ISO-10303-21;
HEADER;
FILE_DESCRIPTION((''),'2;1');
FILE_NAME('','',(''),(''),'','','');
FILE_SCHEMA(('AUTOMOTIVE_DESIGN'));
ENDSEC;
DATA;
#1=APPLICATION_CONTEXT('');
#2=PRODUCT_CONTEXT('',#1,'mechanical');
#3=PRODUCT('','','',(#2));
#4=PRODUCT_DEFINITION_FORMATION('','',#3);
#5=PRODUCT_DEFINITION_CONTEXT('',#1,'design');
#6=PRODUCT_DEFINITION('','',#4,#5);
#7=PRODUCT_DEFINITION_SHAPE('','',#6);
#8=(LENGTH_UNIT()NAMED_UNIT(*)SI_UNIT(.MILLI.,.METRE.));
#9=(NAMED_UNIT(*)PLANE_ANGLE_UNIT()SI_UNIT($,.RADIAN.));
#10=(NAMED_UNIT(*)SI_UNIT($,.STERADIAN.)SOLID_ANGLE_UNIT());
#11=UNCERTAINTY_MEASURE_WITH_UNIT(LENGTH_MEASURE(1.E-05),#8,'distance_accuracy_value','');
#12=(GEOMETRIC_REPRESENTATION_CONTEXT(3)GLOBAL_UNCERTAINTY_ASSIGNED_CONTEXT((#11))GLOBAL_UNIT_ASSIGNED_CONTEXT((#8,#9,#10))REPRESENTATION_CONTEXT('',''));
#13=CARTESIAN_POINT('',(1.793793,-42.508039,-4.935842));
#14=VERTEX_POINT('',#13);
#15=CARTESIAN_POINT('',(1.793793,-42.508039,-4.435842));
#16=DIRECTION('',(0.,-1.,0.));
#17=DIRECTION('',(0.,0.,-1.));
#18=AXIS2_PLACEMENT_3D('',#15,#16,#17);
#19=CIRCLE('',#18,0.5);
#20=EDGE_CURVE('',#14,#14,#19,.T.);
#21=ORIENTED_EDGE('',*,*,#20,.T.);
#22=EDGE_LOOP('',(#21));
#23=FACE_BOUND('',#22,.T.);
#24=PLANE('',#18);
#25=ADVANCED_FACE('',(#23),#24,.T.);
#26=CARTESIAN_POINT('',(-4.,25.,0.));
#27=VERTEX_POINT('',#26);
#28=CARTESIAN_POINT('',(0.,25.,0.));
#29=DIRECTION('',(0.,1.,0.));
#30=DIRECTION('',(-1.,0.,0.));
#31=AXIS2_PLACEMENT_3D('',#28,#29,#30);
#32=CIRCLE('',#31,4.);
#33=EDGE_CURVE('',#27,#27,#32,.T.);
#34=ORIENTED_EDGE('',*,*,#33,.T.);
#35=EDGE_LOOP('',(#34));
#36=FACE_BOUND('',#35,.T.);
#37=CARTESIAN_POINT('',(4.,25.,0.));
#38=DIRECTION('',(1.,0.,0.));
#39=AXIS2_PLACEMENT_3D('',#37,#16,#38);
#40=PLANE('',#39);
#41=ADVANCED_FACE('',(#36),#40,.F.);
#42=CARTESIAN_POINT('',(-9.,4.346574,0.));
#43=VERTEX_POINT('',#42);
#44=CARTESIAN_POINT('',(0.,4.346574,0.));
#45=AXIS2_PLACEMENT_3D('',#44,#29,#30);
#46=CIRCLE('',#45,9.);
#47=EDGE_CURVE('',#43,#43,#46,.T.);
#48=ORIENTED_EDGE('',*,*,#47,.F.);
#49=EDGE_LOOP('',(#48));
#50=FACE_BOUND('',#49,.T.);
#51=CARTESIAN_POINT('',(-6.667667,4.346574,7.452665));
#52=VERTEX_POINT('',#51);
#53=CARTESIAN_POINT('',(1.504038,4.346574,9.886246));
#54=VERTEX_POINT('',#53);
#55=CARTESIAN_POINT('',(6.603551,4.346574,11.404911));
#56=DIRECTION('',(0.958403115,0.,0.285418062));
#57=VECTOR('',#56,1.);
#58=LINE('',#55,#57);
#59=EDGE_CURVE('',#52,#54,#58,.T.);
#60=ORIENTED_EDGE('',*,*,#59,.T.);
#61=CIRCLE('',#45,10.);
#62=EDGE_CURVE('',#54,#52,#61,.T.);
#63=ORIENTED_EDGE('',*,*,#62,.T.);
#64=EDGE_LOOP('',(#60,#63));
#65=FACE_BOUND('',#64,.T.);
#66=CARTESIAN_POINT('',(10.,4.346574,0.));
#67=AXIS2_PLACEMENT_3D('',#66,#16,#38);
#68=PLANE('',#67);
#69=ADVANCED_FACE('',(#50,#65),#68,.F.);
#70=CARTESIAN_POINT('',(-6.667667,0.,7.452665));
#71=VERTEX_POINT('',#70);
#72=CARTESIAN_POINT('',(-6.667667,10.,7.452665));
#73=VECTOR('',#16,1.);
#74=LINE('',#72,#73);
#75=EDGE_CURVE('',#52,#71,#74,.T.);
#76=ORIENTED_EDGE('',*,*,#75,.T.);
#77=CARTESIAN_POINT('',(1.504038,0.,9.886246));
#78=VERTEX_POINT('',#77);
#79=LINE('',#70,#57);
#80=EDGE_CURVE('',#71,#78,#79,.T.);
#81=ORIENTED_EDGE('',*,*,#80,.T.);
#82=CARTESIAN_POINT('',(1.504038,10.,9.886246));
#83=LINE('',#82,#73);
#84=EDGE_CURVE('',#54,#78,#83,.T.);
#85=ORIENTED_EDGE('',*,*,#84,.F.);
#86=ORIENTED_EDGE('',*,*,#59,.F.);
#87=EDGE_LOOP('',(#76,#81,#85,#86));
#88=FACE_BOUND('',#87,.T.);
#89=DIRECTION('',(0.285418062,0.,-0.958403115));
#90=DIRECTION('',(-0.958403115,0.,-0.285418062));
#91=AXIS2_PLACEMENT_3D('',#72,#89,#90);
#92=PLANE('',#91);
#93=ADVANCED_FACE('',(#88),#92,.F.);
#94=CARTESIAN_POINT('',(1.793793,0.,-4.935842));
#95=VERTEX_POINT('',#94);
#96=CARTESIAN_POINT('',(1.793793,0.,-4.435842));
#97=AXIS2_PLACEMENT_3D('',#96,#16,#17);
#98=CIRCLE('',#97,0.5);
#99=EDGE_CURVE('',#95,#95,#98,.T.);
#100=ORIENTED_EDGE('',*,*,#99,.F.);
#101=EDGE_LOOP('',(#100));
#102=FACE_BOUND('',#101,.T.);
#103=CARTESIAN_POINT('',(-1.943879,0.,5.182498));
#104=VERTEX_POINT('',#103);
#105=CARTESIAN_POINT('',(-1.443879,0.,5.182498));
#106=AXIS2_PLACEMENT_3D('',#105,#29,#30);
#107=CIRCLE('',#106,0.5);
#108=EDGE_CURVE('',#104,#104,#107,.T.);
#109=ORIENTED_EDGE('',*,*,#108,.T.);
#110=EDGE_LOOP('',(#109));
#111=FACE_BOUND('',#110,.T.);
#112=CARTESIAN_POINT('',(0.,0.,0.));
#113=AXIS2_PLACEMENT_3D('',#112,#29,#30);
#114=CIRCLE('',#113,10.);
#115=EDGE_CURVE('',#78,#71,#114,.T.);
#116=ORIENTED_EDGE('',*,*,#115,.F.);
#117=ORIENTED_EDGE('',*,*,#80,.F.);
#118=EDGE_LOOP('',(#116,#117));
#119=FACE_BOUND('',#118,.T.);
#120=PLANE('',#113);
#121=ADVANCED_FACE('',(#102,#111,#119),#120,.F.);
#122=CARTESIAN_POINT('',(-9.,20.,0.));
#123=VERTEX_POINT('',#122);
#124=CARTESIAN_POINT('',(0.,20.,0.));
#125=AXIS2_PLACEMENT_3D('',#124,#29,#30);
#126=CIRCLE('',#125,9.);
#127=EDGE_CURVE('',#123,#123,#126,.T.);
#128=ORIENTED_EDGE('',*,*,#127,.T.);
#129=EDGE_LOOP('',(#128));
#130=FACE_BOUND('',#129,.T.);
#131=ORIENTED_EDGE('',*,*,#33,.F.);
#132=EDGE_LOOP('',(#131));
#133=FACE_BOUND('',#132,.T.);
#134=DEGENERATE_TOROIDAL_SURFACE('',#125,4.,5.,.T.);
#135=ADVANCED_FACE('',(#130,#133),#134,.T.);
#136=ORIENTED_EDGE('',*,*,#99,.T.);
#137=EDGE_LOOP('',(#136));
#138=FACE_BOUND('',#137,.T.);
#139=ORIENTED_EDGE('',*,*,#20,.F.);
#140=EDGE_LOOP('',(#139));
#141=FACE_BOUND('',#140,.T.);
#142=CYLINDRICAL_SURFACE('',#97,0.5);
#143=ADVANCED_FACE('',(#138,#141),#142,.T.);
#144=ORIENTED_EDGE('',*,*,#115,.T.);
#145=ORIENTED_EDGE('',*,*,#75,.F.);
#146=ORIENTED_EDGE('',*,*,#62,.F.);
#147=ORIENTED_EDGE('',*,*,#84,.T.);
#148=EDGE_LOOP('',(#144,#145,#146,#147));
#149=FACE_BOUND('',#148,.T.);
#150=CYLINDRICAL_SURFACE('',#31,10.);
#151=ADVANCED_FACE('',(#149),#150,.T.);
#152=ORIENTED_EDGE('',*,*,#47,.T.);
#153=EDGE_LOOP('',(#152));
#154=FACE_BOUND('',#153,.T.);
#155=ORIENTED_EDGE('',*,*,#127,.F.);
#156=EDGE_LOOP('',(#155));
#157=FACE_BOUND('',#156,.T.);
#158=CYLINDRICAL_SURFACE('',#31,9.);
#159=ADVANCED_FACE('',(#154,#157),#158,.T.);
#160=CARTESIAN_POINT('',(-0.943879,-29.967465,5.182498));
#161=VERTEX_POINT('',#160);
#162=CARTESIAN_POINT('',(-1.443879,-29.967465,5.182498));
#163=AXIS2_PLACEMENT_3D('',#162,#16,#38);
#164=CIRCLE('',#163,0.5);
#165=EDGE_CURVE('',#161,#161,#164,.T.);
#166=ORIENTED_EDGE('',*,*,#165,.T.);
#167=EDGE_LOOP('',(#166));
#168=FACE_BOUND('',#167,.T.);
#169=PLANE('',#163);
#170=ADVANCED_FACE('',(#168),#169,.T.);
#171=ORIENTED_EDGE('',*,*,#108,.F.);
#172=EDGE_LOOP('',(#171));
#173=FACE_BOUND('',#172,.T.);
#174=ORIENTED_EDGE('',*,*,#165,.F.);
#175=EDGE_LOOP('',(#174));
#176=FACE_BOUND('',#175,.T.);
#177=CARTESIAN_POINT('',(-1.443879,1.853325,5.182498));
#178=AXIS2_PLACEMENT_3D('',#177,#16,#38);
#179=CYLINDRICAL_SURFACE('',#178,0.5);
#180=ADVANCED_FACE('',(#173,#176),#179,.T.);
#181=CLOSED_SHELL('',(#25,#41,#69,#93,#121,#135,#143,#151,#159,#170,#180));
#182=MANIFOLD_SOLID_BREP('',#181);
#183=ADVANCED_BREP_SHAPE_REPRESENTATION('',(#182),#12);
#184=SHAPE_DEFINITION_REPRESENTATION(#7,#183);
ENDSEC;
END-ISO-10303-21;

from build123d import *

# Parameters (mm, degrees)
KES_EKSTR_ZYON2_DEPTH = 10
IZIM4_R               = 0.5
IZIM6_R               = 0.5


with BuildPart() as part:
    # Çizim1 → Döndür2 (revolve)
    with BuildSketch(Plane.XY, mode=Mode.PRIVATE) as d_nd_r2_sk:
        with BuildLine():
            Line((0, 0), (10, 0))
            Line((10, 0), (10, 4.346574423))
            Line((10, 4.346574423), (9, 4.346574423))
            Line((9, 4.346574423), (9, 20))
            ThreePointArc((9, 20), (7.535533906, 23.535533906), (4, 25))
            Line((4, 25), (0, 25))
            Line((0, 25), (0, 0))
        make_face()
    revolve(d_nd_r2_sk.sketch.rotate(Axis((0, 25, 0), (0, -1, 0)), 180), axis=Axis((0, 25, 0), (0, -1, 0)))

    # Çizim2 → Kes-Ekstrüzyon2 (cut)
    with BuildSketch(Plane.XZ):
        Polygon((-6.667667497, 7.452664634), (1.504038202, 9.886246461), (0.616082269, 11.592722448), (-7.506944277, 10), align=None)
    extrude(amount=-KES_EKSTR_ZYON2_DEPTH, mode=Mode.SUBTRACT)

    # Süpür1: sweep along a curve in space
    with BuildLine() as s_p_r1_path:
        Line((-1.443878782, 1.853325266, 5.182498136), (-1.443878782, -29.967465354, 5.182498136))
    # Çizim4 → Süpür1 (sweep)
    with BuildSketch(Plane(origin=(-1.443878782, -29.967465354, 5.182498136), x_dir=(-1, 0, 0), z_dir=(0, -1, 0))):
        Circle(IZIM4_R)
    sweep(path=s_p_r1_path.line)

    # Süpür2: sweep along a curve in space
    with BuildLine() as s_p_r2_path:
        Line((1.793792857, 0, -4.435841685), (1.793792857, -42.508039012, -4.435841685))
    # Çizim6 → Süpür2 (sweep)
    with BuildSketch(Plane(origin=(1.793792857, -42.508039012, -4.435841685), x_dir=(-1, 0, 0), z_dir=(0, -1, 0))):
        Circle(IZIM6_R)
    sweep(path=s_p_r2_path.line)


solid = part.part
